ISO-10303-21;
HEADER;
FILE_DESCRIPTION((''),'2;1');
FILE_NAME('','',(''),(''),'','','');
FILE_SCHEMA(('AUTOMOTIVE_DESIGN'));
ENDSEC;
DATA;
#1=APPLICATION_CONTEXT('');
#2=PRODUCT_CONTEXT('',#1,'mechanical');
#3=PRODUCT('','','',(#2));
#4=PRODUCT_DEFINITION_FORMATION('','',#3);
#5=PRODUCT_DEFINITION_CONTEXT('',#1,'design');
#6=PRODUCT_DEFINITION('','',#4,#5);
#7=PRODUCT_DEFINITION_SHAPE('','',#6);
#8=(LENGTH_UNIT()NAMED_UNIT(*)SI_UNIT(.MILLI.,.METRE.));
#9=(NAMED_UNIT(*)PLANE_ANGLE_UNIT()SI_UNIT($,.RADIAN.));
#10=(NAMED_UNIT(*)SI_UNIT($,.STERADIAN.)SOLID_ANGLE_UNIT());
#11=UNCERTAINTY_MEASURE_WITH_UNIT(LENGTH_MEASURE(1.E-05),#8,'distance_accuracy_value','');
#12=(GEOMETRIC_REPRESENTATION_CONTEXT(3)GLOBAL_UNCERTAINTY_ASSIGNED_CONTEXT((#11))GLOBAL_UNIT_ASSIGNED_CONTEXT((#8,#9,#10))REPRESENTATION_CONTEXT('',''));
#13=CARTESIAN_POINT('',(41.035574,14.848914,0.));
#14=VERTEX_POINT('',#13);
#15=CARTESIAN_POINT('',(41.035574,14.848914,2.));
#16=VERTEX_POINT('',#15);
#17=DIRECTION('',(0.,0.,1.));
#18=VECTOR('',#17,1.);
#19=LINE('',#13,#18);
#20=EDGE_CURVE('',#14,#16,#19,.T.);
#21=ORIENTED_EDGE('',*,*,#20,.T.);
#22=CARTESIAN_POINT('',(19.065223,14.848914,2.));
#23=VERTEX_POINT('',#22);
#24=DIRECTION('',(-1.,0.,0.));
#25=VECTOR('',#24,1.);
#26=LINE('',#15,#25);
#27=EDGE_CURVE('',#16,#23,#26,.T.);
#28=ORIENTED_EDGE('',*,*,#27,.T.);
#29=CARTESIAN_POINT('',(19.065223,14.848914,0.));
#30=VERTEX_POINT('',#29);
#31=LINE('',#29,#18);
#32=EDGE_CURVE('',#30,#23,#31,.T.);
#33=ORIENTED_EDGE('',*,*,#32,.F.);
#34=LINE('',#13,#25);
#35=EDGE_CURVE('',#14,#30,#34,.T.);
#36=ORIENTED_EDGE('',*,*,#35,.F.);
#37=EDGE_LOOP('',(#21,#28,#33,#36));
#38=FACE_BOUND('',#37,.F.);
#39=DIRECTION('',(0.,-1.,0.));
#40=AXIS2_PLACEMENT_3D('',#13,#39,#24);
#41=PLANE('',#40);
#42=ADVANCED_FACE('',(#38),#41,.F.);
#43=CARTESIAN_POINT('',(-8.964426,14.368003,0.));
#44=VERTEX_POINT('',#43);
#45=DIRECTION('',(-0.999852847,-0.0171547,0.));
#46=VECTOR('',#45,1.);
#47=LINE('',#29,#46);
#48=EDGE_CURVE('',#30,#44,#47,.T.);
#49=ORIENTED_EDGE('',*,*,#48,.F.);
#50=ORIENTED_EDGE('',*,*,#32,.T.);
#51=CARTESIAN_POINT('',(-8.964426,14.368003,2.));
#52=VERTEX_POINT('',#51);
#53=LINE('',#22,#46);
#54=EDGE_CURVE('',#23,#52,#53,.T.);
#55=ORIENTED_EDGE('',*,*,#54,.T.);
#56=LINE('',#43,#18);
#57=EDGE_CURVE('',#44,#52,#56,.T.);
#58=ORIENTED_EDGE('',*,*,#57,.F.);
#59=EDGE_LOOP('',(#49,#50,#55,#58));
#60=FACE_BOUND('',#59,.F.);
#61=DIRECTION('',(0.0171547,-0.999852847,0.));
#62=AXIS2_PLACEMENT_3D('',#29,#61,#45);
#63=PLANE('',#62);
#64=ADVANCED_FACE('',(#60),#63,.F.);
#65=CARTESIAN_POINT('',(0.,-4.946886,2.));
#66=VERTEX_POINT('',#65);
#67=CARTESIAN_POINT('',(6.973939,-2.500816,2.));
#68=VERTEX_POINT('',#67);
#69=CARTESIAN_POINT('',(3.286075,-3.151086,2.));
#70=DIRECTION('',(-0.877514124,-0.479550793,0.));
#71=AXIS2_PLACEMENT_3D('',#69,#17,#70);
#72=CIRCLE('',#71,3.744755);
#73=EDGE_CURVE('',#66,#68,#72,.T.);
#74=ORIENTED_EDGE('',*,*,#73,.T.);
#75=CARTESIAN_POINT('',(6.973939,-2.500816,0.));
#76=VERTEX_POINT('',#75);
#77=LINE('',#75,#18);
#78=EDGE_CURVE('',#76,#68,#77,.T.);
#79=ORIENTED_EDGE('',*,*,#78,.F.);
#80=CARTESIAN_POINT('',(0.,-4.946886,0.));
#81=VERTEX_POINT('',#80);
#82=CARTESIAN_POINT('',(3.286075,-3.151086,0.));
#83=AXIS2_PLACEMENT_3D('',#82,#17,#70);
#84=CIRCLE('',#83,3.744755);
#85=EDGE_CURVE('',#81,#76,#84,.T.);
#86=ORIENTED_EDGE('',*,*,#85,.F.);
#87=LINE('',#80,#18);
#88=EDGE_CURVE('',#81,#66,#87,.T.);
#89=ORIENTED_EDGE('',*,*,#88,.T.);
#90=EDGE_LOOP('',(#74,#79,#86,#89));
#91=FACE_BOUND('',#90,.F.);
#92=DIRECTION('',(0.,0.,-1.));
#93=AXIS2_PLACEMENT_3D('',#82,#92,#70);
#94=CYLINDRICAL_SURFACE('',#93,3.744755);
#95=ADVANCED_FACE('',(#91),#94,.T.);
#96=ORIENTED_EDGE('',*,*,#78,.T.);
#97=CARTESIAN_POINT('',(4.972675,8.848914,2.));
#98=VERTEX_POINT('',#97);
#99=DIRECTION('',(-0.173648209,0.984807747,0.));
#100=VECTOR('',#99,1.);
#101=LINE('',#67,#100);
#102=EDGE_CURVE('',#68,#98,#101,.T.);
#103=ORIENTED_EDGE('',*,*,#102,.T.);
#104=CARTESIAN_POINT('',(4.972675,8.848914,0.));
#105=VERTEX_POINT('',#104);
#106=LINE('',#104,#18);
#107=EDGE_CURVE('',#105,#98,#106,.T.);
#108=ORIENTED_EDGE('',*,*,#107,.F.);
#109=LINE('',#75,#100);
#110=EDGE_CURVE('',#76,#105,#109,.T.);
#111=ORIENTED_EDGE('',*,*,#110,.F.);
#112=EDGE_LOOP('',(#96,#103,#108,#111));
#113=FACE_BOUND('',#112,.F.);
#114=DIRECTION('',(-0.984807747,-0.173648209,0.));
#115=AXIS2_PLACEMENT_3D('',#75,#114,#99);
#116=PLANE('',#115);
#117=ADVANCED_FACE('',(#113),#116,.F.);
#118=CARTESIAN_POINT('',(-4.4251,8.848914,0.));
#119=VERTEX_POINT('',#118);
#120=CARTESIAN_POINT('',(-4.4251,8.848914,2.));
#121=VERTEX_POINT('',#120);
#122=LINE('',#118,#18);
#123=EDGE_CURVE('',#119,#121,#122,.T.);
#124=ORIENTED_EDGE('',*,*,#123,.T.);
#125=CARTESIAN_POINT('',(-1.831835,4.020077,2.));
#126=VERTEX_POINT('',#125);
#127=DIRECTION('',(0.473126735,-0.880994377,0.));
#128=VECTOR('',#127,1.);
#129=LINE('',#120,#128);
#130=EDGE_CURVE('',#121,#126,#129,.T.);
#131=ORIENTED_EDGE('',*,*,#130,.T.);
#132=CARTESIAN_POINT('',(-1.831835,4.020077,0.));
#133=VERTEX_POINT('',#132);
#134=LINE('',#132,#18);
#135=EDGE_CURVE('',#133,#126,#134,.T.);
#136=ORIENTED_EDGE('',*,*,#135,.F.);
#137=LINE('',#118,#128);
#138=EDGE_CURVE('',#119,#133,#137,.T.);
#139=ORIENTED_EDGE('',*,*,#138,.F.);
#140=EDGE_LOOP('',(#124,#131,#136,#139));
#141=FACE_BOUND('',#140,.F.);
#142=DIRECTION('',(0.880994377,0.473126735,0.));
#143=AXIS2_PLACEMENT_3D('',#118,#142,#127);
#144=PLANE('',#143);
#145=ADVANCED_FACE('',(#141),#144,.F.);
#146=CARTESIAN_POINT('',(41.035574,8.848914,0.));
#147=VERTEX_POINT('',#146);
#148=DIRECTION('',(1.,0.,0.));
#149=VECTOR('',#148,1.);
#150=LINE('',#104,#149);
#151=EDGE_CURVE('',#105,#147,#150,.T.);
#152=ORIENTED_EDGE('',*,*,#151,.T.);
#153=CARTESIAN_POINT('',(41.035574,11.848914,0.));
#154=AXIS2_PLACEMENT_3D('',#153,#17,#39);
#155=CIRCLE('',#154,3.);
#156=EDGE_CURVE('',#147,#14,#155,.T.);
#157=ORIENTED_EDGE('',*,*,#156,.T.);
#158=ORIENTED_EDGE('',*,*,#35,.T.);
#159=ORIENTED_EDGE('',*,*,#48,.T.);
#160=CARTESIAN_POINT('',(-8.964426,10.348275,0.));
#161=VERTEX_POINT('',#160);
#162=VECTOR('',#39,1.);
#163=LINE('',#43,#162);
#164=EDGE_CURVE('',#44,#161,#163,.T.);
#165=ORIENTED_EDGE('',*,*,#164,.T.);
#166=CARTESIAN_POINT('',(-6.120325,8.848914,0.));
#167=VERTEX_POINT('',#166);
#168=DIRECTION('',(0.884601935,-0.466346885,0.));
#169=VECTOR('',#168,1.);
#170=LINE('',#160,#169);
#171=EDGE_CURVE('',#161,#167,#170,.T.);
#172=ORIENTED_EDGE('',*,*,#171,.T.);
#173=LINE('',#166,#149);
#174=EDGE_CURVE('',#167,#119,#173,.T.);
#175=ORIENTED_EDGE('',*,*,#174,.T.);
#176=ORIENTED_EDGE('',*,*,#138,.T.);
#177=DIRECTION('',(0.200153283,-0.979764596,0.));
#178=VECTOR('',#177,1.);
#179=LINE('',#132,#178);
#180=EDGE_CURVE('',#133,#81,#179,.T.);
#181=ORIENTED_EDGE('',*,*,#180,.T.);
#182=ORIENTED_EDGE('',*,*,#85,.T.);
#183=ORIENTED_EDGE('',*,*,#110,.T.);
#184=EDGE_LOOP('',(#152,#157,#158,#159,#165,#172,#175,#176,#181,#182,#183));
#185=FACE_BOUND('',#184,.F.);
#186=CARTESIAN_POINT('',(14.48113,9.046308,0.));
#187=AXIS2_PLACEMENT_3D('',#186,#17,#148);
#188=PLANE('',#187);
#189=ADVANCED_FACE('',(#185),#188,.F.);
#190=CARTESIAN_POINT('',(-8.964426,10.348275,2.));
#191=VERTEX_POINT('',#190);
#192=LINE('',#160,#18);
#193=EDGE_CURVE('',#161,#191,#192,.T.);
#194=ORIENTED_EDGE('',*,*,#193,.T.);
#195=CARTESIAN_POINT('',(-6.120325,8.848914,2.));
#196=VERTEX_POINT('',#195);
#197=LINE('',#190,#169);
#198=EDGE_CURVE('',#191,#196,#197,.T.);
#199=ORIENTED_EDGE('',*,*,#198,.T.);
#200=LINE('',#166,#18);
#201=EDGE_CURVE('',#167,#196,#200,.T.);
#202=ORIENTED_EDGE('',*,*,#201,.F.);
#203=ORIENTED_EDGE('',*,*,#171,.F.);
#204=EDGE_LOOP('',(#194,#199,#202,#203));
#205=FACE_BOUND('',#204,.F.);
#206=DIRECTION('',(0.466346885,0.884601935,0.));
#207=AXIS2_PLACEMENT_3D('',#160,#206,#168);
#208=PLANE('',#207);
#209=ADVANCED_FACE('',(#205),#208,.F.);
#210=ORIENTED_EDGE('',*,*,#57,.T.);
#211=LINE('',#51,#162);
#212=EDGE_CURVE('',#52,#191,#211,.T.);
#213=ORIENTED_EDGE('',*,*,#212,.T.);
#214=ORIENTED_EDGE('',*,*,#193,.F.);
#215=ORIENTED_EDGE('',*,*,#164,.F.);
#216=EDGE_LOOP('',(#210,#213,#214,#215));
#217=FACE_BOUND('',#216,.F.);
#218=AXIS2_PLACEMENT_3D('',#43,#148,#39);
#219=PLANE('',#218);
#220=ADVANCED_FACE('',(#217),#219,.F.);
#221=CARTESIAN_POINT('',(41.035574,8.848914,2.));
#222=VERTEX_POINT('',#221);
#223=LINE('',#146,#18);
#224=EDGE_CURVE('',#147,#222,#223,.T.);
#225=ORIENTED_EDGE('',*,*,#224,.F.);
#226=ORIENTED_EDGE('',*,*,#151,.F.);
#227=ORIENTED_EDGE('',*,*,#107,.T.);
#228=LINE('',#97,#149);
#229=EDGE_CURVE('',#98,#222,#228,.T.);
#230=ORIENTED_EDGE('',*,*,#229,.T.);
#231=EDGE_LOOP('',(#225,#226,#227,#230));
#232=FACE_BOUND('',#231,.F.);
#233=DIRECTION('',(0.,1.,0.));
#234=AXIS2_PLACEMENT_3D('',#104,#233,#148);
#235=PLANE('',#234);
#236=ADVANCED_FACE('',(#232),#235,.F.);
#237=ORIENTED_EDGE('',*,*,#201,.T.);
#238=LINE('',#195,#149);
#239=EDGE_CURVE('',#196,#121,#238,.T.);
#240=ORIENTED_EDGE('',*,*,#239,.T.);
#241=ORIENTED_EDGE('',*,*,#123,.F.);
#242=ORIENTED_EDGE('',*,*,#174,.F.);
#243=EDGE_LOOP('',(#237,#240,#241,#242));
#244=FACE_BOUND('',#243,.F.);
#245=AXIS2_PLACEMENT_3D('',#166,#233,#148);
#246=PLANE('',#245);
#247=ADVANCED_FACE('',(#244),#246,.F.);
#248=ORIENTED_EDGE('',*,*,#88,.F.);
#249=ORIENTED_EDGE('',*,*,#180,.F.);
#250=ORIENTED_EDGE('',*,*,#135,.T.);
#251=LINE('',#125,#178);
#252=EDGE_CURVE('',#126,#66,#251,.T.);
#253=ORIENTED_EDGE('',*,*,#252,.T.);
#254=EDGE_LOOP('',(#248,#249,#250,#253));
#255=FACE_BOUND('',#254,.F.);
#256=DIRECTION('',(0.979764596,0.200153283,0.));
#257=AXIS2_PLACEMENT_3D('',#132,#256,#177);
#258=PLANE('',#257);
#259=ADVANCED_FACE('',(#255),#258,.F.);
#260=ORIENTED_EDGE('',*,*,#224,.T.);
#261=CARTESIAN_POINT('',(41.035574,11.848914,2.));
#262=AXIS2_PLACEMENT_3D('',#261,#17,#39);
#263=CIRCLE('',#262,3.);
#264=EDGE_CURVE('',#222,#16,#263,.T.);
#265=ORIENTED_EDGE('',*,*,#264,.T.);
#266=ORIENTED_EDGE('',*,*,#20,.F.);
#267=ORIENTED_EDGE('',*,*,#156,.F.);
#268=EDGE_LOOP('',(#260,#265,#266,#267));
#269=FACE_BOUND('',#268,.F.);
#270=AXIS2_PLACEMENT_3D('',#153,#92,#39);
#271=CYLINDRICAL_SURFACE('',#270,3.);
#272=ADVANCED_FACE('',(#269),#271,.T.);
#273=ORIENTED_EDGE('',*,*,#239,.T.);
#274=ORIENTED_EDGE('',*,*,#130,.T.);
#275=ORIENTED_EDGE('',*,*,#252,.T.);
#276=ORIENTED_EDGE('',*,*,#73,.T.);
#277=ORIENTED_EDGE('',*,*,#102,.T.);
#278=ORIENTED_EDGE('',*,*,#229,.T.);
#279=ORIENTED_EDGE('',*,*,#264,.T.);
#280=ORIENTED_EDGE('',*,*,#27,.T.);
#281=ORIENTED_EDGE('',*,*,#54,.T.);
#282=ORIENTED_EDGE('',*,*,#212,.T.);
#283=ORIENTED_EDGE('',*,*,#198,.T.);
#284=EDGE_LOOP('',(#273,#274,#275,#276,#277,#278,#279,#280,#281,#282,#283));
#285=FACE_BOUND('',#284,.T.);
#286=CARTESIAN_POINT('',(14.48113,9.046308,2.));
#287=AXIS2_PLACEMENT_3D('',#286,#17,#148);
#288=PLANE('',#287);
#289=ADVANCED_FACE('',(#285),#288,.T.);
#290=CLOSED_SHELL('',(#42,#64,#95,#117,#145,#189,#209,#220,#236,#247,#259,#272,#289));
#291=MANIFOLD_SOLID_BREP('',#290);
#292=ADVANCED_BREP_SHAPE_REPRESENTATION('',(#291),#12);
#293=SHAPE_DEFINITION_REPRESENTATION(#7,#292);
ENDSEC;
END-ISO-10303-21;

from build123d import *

# Parameters (mm, degrees)
F1_DEPTH = 2


with BuildPart() as f1:
    # F0 (on Top) → F1 (new body)
    with BuildSketch(Plane.XY):
        with BuildLine():
            ThreePointArc((41.035574, 8.848914), (44.035574, 11.848914), (41.035574, 14.848914))
            Line((41.035574, 14.848914), (19.065223, 14.848914))
            Line((19.065223, 14.848914), (-8.964426, 14.368003))
            Line((-8.964426, 14.368003), (-8.964426, 10.348275))
            Line((-8.964426, 10.348275), (-6.120325, 8.848914))
            Line((-6.120325, 8.848914), (-4.4251, 8.848914))
            Line((-4.4251, 8.848914), (-1.831835, 4.020077))
            Line((-1.831835, 4.020077), (0, -4.946886))
            ThreePointArc((0, -4.946886), (4.5255, -6.684783), (6.973939, -2.500816))
            Line((6.973939, -2.500816), (4.972675, 8.848914))
            Line((4.972675, 8.848914), (41.035574, 8.848914))
        make_face()
    extrude(amount=F1_DEPTH)


solid = f1.part
